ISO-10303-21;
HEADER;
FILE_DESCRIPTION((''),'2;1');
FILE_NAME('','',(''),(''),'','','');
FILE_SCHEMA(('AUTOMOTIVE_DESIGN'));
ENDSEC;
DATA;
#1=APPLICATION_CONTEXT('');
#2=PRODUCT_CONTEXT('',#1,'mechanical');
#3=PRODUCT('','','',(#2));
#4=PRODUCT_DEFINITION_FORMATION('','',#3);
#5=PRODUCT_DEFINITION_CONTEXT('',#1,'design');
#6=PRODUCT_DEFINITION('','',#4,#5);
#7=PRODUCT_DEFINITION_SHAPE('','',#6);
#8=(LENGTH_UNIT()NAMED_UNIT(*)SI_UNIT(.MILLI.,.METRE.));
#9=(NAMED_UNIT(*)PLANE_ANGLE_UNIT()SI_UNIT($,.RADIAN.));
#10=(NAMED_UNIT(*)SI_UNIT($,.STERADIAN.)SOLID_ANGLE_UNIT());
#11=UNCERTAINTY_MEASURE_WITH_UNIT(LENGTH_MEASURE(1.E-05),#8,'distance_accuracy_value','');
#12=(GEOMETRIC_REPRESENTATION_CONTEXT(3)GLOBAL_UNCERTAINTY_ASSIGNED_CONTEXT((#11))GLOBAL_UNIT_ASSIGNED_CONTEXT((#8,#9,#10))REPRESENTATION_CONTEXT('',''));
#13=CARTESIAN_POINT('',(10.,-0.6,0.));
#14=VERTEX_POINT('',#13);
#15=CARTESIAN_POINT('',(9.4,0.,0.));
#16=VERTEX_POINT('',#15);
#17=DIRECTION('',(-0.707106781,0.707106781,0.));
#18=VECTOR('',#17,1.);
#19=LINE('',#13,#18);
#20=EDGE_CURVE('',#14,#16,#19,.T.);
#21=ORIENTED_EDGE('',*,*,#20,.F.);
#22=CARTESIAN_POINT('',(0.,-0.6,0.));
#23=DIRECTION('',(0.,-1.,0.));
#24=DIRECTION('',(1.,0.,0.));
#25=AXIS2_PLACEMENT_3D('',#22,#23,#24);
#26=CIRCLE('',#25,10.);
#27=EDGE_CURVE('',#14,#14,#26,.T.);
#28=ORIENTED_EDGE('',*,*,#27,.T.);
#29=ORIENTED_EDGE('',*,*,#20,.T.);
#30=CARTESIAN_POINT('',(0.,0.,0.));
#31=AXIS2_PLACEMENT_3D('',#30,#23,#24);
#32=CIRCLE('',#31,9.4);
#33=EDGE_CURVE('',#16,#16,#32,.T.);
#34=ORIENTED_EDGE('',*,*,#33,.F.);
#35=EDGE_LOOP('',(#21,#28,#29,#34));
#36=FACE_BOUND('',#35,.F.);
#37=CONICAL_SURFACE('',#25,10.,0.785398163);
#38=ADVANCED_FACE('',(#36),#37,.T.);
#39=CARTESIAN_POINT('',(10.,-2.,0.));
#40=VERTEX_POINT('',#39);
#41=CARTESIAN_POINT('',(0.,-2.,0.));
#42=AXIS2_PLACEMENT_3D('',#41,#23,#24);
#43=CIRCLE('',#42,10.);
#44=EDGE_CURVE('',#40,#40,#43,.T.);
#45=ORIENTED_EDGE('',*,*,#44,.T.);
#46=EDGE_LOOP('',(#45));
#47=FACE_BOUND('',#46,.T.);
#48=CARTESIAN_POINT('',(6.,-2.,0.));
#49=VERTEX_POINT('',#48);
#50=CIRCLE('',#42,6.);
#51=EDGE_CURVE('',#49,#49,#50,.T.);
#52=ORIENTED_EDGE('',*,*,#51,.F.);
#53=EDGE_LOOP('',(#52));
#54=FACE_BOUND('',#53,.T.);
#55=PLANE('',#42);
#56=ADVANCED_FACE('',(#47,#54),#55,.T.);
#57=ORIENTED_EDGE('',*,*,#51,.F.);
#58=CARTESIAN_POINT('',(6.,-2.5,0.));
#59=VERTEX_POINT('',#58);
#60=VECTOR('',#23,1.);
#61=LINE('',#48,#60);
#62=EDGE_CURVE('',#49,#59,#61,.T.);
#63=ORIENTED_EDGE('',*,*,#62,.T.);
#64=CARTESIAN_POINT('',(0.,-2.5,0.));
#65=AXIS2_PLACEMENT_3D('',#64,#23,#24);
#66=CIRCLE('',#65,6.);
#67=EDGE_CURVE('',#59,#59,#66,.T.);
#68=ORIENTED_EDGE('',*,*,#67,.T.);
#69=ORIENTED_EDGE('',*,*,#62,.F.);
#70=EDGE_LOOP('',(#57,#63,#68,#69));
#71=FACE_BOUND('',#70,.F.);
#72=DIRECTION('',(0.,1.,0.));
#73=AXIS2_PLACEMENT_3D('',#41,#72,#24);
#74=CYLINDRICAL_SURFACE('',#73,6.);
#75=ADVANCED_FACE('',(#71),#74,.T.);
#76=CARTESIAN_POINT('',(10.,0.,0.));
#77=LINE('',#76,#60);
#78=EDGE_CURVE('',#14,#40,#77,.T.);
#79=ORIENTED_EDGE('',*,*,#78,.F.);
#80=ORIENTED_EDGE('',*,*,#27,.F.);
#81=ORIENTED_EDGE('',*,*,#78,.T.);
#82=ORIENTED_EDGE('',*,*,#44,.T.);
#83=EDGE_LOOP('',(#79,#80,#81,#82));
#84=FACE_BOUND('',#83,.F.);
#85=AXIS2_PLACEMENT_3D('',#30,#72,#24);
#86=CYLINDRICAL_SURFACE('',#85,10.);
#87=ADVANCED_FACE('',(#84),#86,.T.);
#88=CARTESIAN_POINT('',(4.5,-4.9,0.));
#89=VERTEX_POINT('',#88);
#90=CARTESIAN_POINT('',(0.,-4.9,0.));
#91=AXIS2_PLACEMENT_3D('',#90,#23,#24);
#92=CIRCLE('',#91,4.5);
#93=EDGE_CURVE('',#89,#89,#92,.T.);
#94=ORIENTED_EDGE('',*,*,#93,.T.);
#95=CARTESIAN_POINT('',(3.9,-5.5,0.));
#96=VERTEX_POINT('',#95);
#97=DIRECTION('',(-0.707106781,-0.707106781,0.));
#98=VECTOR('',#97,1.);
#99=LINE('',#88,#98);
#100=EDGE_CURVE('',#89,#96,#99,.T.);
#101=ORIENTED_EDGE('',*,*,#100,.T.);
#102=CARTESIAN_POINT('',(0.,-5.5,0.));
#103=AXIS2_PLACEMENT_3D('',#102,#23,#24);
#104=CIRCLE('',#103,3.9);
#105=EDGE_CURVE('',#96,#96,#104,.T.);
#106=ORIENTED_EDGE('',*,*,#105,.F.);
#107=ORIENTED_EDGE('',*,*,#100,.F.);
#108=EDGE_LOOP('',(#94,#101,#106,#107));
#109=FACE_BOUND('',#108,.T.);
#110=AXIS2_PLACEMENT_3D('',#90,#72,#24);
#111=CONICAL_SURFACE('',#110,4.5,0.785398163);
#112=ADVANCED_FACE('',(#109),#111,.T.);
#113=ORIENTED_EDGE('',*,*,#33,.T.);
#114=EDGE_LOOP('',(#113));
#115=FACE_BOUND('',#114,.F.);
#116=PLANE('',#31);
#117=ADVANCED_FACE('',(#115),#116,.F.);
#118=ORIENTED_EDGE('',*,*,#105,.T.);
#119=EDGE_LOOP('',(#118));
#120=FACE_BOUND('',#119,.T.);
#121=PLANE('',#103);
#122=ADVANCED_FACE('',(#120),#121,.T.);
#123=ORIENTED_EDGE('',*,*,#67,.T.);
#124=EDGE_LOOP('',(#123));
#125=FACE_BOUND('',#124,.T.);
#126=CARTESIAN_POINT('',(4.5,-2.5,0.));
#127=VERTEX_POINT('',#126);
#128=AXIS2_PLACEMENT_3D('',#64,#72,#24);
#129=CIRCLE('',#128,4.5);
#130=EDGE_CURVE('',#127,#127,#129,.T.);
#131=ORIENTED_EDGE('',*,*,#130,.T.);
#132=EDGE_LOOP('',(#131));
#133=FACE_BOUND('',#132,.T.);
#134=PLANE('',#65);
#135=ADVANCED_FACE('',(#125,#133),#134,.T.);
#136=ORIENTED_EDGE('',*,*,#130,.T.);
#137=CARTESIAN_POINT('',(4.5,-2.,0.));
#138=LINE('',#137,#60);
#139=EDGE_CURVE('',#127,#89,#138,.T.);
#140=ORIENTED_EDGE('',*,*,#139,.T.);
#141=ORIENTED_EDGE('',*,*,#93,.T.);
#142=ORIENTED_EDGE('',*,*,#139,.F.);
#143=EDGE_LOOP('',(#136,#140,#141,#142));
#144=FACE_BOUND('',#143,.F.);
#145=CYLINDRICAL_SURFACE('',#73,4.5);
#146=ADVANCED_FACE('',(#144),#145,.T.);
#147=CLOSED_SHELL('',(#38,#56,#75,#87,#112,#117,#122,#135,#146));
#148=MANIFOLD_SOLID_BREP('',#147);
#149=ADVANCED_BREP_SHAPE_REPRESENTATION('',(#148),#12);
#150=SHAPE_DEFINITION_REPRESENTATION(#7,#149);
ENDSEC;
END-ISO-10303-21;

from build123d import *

# Parameters (mm, degrees)
F0_R     = 10
F1_DEPTH = 2
F2_R     = 4.5
F3_DEPTH = 3.5
F5_R     = 6
F6_DEPTH = 0.5
F7_SIZE  = 0.6


with BuildPart() as f1:
    # F0 (on Front) → F1 (new body)
    with BuildSketch(Plane.XZ):
        Circle(F0_R)
    extrude(amount=F1_DEPTH)

    # F2 (on face) → F3 (join)
    with BuildSketch(Plane.XZ.offset(2)):
        Circle(F2_R)
    extrude(amount=F3_DEPTH)

    # F5 (on face) → F6 (join)
    with BuildSketch(Plane.XZ.offset(2)):
        Circle(F5_R)
    extrude(amount=F6_DEPTH)

    # F7
    f7_edges = [f1.edges().sort_by_distance(p)[0] for p in [
        (-10, 0, 0),
        (-4.5, -5.5, 0),
    ]]
    chamfer(f7_edges, length=F7_SIZE)


solid = f1.part
